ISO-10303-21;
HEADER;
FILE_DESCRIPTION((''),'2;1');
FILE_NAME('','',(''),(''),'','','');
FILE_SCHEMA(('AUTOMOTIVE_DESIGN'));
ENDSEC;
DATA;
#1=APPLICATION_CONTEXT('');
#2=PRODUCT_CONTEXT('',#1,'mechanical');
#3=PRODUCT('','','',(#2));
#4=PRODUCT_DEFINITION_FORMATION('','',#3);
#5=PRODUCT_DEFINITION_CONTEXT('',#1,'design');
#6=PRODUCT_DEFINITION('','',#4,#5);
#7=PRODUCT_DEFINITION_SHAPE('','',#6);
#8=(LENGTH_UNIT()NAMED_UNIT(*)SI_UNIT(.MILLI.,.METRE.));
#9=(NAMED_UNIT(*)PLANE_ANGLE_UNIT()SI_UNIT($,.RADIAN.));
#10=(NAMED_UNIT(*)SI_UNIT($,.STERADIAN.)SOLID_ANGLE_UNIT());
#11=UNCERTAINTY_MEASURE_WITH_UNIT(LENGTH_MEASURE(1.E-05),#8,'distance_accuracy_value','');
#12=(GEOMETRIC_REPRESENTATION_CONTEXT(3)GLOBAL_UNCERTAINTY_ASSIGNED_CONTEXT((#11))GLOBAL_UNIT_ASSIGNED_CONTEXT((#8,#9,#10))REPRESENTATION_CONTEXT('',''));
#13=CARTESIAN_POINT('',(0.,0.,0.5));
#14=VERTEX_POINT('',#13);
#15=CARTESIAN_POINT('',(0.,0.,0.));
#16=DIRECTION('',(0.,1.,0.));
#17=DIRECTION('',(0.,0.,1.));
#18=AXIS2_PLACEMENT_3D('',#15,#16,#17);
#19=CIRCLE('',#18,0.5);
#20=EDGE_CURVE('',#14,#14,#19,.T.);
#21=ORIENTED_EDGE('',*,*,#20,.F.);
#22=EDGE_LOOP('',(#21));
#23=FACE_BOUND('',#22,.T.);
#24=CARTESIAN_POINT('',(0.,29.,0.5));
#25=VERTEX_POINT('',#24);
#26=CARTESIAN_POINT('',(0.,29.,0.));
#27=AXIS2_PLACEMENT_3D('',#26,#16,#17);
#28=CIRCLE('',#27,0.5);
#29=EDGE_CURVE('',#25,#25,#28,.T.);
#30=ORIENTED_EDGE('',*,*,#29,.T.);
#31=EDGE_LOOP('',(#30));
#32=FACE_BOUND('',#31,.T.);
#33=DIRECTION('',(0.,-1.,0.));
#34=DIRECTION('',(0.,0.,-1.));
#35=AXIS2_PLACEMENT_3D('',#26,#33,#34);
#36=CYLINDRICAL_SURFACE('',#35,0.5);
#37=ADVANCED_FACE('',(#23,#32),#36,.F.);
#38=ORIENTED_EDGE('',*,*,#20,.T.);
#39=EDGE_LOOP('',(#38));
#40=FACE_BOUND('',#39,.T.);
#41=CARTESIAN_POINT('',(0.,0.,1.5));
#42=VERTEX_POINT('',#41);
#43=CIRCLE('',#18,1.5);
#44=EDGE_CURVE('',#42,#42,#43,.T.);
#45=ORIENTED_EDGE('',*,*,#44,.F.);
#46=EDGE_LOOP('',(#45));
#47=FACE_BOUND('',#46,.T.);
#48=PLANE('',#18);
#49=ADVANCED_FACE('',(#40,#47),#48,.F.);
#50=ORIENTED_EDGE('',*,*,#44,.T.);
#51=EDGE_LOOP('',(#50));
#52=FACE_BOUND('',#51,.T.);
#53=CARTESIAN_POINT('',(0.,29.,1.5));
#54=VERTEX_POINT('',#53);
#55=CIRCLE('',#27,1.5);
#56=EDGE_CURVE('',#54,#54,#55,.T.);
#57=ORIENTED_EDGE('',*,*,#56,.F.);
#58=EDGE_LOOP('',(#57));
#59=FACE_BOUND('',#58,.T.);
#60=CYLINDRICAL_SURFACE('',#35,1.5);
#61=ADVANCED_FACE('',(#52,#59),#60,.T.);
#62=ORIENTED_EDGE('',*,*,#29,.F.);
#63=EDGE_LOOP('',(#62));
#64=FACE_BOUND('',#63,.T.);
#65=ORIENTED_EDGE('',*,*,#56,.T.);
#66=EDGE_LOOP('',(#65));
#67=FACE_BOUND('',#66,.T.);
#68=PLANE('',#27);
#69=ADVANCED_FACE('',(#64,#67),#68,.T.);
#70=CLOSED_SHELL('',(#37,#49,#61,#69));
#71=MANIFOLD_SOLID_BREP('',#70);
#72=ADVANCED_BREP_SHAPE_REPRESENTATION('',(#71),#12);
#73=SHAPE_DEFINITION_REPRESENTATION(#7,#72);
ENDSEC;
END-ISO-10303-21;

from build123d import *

# Parameters (mm, degrees)
SKETCH1_R           = 1.5
SKETCH1_R_2         = 0.5
BOSS_EXTRUDE1_DEPTH = 29


with BuildPart() as part:
    # Sketch1 → Boss-Extrude1 (new body)
    with BuildSketch(Plane(origin=(0, 0, 0), x_dir=(1, 0, 0), z_dir=(0, 1, 0))):
        Circle(SKETCH1_R)
        Circle(SKETCH1_R_2, mode=Mode.SUBTRACT)
    extrude(amount=BOSS_EXTRUDE1_DEPTH)


solid = part.part
